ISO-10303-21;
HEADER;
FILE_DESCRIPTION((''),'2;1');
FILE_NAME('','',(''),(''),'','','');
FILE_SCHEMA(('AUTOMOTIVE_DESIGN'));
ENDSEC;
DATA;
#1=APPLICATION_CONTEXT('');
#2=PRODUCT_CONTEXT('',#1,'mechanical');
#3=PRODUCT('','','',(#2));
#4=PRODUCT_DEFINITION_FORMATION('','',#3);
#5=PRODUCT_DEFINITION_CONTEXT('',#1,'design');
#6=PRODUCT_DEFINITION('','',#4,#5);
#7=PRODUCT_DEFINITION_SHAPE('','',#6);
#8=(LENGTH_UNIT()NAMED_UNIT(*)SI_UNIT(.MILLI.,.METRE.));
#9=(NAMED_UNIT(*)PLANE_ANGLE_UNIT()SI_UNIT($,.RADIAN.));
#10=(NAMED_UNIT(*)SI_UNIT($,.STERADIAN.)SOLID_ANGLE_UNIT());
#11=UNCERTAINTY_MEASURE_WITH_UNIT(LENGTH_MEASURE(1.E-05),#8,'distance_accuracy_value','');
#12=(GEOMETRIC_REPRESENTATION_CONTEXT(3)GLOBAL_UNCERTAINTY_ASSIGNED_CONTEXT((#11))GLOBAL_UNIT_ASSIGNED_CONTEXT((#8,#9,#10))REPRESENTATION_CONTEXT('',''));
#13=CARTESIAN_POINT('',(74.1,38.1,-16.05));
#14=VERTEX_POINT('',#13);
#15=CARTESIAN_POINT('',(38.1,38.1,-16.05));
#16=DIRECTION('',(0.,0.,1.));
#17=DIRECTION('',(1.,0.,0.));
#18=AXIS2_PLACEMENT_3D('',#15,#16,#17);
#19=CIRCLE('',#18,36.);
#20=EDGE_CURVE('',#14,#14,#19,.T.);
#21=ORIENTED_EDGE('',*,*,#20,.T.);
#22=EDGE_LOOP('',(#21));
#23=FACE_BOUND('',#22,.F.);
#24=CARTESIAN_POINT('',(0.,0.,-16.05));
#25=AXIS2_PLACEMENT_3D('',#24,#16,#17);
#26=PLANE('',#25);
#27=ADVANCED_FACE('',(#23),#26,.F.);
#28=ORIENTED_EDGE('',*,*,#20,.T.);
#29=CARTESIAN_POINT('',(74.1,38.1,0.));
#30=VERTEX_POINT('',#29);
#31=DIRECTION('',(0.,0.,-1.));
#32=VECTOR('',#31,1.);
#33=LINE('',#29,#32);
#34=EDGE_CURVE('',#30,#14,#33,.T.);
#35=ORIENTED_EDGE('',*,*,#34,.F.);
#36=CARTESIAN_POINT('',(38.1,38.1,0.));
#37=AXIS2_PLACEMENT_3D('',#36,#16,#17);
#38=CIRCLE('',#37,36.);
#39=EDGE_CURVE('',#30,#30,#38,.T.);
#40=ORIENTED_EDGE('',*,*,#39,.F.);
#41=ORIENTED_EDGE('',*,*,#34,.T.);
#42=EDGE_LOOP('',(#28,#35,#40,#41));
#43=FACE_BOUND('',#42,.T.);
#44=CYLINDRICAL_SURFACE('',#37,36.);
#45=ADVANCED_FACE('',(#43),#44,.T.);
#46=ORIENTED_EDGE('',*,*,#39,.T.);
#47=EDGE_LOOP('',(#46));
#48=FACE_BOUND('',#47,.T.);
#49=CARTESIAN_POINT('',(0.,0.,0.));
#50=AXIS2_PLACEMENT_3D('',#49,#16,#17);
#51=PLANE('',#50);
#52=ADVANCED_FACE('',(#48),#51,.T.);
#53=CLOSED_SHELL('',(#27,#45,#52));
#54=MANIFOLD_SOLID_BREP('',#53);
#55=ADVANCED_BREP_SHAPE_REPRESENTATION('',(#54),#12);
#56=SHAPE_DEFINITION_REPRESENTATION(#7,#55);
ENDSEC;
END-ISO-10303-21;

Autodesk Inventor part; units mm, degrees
sketch "Sketch1" plane through (0, 0, 0) normal (0, 0, 1) x (1, 0, 0)
  circle A0 centre (38.1, 38.1) radius 36
  point P0 (0, 0)
  dimension "d0" = 38.1
  dimension "d1" = 38.1
  dimension "d2" = 72
ref_plane "Work Plane1" through (-3.81, -3.81, -16.05) normal (0, 0, 1) x (1, 0, 0)
ref_plane "Work Plane2" through (-3.81, -3.81, -15.05) normal (0, 0, 1) x (1, 0, 0)
ref_plane "Work Plane3" through (-3.81, -3.81, -16.05) normal (0, 0, 1) x (1, 0, 0)
extrude "Extrusion1" add sketch "Sketch1" against normal up to surface (16.05 mm away)
properties part number "MATERIAL MOLDE 1"
